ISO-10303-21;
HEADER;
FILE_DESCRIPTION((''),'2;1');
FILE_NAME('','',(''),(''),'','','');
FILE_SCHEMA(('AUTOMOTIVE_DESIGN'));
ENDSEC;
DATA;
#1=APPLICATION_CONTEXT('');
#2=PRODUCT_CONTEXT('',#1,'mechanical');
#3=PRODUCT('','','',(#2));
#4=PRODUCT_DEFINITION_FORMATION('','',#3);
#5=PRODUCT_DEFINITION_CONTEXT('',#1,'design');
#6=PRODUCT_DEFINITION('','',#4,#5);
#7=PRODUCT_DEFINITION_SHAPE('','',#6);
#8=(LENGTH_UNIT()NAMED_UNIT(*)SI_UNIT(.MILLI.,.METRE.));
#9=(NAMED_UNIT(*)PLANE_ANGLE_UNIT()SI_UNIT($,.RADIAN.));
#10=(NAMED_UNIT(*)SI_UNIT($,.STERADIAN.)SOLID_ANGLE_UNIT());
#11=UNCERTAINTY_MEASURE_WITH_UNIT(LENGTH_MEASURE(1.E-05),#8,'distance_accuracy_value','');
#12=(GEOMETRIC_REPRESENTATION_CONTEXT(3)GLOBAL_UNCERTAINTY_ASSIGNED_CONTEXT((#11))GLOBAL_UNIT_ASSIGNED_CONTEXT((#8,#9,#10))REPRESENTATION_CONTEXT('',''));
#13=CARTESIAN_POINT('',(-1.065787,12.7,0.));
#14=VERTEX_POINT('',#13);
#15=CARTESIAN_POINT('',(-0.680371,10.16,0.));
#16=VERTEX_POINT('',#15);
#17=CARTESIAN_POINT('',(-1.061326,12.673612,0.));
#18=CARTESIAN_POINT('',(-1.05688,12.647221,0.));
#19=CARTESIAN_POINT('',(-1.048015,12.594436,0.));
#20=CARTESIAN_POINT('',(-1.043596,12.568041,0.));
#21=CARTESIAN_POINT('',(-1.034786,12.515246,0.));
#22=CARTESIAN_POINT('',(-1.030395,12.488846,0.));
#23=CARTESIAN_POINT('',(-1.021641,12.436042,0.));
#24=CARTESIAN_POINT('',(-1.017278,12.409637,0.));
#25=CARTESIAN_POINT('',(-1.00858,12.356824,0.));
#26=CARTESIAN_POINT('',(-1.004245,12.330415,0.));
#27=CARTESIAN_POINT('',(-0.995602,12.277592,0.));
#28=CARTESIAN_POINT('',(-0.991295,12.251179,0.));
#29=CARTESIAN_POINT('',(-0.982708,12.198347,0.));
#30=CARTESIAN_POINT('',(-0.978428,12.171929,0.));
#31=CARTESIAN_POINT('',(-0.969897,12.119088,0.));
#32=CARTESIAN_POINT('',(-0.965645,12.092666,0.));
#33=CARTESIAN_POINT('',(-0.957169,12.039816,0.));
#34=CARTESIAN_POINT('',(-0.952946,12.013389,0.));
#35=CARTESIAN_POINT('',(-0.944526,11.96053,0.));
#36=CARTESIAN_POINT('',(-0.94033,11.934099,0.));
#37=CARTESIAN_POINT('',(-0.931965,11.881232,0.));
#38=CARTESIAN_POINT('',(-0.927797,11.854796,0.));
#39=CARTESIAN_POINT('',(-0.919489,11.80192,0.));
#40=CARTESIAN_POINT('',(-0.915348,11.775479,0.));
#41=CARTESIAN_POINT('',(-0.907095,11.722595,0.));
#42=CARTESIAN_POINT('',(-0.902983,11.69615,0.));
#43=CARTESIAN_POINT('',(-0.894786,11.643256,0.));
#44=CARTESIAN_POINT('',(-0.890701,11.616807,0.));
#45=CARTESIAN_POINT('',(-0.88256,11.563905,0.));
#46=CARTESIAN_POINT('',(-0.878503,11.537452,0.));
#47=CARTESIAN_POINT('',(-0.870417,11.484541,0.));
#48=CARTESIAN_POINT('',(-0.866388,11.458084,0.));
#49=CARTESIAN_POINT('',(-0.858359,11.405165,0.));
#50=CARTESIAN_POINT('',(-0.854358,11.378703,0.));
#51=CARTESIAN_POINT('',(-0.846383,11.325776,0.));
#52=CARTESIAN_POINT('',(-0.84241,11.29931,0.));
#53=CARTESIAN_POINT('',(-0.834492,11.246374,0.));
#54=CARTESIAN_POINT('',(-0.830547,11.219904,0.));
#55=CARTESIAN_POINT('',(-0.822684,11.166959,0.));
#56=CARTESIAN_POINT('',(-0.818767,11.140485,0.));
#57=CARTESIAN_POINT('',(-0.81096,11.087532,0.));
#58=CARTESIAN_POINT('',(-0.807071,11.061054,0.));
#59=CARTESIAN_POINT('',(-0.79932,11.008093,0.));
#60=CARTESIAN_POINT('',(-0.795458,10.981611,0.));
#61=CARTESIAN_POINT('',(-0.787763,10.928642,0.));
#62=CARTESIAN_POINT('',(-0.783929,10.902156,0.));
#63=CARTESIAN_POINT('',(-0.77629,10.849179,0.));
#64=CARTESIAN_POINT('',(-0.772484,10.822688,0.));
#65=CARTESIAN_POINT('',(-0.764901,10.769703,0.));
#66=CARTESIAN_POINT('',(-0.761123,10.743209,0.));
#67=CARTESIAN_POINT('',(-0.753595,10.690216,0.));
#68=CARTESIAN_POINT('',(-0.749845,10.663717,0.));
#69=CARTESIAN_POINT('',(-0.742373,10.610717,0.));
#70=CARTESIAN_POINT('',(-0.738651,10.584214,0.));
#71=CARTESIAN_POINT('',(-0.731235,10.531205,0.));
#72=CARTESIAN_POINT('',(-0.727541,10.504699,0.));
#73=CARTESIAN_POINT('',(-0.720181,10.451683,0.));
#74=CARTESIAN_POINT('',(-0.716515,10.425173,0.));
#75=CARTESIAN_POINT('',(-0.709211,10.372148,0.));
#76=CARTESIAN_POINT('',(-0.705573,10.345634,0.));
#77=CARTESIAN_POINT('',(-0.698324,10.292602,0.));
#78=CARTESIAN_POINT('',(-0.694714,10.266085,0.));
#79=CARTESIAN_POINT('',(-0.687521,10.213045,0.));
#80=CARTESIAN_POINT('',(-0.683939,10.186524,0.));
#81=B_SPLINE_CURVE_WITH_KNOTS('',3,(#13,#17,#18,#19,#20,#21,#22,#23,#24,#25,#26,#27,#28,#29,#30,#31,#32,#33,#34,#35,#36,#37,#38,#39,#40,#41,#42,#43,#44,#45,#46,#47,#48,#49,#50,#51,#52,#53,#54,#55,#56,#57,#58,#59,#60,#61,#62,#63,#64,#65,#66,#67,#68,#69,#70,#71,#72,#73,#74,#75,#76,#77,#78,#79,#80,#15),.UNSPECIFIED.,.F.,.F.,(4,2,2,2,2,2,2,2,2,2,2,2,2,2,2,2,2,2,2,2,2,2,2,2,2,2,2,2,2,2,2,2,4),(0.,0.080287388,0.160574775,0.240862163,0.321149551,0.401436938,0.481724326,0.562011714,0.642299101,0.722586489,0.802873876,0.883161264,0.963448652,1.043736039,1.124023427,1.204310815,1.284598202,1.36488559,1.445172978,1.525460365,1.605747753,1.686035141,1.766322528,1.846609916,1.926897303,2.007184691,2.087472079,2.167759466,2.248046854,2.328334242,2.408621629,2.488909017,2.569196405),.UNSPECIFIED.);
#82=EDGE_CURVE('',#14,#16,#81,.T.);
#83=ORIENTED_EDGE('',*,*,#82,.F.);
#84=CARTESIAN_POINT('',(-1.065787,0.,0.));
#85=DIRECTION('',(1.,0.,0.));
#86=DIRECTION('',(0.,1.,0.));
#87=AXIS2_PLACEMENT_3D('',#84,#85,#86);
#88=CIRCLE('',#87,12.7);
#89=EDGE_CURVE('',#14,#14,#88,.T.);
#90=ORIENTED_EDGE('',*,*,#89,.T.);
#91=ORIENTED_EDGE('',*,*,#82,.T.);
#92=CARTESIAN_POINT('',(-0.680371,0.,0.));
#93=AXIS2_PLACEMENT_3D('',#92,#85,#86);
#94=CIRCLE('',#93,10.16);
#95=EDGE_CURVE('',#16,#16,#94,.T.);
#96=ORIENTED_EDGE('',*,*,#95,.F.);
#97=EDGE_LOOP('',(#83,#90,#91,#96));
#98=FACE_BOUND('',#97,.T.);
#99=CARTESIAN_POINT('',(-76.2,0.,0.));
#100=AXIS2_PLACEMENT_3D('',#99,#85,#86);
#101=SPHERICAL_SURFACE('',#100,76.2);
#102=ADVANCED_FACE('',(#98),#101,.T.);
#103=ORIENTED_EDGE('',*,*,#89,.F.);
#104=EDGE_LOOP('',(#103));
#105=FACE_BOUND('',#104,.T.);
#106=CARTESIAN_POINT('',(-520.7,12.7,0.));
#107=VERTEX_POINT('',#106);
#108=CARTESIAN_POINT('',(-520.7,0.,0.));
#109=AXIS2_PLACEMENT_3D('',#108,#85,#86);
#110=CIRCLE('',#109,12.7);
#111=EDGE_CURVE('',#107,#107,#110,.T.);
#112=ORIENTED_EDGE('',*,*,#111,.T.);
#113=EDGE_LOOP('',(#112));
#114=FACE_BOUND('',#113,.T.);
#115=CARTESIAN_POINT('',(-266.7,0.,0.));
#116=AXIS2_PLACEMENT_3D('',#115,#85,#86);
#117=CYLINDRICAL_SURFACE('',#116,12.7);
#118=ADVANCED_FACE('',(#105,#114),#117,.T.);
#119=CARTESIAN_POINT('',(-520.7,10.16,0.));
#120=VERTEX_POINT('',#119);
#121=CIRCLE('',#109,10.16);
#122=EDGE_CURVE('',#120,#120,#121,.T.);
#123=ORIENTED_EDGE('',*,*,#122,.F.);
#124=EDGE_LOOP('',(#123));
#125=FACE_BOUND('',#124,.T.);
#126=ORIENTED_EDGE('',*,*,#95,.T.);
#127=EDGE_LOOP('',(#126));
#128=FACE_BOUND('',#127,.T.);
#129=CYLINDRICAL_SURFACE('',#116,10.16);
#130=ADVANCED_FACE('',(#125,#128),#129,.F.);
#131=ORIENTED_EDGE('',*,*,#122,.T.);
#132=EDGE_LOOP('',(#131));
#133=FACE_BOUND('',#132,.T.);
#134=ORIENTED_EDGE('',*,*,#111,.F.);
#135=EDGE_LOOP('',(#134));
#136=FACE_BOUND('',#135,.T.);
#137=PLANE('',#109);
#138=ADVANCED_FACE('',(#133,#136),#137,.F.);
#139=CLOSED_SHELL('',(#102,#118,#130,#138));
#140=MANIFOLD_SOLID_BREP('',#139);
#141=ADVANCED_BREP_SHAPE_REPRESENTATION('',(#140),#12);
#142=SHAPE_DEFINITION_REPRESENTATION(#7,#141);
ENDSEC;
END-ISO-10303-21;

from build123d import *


with BuildPart() as part:
    # Sketch1 → Revolve1 (revolve)
    with BuildSketch(Plane.XY):
        with BuildLine():
            ThreePointArc((-0.680370764, 10.16), (-0.86237352, 11.431624398), (-1.065786755, 12.7))
            Line((-1.065786755, 12.7), (-520.7, 12.7))
            Line((-520.7, 12.7), (-520.7, 10.16))
            Line((-520.7, 10.16), (-0.680370764, 10.16))
        make_face()
    revolve(axis=Axis((-266.7, 0, 0), (-1, 0, 0)))


solid = part.part
